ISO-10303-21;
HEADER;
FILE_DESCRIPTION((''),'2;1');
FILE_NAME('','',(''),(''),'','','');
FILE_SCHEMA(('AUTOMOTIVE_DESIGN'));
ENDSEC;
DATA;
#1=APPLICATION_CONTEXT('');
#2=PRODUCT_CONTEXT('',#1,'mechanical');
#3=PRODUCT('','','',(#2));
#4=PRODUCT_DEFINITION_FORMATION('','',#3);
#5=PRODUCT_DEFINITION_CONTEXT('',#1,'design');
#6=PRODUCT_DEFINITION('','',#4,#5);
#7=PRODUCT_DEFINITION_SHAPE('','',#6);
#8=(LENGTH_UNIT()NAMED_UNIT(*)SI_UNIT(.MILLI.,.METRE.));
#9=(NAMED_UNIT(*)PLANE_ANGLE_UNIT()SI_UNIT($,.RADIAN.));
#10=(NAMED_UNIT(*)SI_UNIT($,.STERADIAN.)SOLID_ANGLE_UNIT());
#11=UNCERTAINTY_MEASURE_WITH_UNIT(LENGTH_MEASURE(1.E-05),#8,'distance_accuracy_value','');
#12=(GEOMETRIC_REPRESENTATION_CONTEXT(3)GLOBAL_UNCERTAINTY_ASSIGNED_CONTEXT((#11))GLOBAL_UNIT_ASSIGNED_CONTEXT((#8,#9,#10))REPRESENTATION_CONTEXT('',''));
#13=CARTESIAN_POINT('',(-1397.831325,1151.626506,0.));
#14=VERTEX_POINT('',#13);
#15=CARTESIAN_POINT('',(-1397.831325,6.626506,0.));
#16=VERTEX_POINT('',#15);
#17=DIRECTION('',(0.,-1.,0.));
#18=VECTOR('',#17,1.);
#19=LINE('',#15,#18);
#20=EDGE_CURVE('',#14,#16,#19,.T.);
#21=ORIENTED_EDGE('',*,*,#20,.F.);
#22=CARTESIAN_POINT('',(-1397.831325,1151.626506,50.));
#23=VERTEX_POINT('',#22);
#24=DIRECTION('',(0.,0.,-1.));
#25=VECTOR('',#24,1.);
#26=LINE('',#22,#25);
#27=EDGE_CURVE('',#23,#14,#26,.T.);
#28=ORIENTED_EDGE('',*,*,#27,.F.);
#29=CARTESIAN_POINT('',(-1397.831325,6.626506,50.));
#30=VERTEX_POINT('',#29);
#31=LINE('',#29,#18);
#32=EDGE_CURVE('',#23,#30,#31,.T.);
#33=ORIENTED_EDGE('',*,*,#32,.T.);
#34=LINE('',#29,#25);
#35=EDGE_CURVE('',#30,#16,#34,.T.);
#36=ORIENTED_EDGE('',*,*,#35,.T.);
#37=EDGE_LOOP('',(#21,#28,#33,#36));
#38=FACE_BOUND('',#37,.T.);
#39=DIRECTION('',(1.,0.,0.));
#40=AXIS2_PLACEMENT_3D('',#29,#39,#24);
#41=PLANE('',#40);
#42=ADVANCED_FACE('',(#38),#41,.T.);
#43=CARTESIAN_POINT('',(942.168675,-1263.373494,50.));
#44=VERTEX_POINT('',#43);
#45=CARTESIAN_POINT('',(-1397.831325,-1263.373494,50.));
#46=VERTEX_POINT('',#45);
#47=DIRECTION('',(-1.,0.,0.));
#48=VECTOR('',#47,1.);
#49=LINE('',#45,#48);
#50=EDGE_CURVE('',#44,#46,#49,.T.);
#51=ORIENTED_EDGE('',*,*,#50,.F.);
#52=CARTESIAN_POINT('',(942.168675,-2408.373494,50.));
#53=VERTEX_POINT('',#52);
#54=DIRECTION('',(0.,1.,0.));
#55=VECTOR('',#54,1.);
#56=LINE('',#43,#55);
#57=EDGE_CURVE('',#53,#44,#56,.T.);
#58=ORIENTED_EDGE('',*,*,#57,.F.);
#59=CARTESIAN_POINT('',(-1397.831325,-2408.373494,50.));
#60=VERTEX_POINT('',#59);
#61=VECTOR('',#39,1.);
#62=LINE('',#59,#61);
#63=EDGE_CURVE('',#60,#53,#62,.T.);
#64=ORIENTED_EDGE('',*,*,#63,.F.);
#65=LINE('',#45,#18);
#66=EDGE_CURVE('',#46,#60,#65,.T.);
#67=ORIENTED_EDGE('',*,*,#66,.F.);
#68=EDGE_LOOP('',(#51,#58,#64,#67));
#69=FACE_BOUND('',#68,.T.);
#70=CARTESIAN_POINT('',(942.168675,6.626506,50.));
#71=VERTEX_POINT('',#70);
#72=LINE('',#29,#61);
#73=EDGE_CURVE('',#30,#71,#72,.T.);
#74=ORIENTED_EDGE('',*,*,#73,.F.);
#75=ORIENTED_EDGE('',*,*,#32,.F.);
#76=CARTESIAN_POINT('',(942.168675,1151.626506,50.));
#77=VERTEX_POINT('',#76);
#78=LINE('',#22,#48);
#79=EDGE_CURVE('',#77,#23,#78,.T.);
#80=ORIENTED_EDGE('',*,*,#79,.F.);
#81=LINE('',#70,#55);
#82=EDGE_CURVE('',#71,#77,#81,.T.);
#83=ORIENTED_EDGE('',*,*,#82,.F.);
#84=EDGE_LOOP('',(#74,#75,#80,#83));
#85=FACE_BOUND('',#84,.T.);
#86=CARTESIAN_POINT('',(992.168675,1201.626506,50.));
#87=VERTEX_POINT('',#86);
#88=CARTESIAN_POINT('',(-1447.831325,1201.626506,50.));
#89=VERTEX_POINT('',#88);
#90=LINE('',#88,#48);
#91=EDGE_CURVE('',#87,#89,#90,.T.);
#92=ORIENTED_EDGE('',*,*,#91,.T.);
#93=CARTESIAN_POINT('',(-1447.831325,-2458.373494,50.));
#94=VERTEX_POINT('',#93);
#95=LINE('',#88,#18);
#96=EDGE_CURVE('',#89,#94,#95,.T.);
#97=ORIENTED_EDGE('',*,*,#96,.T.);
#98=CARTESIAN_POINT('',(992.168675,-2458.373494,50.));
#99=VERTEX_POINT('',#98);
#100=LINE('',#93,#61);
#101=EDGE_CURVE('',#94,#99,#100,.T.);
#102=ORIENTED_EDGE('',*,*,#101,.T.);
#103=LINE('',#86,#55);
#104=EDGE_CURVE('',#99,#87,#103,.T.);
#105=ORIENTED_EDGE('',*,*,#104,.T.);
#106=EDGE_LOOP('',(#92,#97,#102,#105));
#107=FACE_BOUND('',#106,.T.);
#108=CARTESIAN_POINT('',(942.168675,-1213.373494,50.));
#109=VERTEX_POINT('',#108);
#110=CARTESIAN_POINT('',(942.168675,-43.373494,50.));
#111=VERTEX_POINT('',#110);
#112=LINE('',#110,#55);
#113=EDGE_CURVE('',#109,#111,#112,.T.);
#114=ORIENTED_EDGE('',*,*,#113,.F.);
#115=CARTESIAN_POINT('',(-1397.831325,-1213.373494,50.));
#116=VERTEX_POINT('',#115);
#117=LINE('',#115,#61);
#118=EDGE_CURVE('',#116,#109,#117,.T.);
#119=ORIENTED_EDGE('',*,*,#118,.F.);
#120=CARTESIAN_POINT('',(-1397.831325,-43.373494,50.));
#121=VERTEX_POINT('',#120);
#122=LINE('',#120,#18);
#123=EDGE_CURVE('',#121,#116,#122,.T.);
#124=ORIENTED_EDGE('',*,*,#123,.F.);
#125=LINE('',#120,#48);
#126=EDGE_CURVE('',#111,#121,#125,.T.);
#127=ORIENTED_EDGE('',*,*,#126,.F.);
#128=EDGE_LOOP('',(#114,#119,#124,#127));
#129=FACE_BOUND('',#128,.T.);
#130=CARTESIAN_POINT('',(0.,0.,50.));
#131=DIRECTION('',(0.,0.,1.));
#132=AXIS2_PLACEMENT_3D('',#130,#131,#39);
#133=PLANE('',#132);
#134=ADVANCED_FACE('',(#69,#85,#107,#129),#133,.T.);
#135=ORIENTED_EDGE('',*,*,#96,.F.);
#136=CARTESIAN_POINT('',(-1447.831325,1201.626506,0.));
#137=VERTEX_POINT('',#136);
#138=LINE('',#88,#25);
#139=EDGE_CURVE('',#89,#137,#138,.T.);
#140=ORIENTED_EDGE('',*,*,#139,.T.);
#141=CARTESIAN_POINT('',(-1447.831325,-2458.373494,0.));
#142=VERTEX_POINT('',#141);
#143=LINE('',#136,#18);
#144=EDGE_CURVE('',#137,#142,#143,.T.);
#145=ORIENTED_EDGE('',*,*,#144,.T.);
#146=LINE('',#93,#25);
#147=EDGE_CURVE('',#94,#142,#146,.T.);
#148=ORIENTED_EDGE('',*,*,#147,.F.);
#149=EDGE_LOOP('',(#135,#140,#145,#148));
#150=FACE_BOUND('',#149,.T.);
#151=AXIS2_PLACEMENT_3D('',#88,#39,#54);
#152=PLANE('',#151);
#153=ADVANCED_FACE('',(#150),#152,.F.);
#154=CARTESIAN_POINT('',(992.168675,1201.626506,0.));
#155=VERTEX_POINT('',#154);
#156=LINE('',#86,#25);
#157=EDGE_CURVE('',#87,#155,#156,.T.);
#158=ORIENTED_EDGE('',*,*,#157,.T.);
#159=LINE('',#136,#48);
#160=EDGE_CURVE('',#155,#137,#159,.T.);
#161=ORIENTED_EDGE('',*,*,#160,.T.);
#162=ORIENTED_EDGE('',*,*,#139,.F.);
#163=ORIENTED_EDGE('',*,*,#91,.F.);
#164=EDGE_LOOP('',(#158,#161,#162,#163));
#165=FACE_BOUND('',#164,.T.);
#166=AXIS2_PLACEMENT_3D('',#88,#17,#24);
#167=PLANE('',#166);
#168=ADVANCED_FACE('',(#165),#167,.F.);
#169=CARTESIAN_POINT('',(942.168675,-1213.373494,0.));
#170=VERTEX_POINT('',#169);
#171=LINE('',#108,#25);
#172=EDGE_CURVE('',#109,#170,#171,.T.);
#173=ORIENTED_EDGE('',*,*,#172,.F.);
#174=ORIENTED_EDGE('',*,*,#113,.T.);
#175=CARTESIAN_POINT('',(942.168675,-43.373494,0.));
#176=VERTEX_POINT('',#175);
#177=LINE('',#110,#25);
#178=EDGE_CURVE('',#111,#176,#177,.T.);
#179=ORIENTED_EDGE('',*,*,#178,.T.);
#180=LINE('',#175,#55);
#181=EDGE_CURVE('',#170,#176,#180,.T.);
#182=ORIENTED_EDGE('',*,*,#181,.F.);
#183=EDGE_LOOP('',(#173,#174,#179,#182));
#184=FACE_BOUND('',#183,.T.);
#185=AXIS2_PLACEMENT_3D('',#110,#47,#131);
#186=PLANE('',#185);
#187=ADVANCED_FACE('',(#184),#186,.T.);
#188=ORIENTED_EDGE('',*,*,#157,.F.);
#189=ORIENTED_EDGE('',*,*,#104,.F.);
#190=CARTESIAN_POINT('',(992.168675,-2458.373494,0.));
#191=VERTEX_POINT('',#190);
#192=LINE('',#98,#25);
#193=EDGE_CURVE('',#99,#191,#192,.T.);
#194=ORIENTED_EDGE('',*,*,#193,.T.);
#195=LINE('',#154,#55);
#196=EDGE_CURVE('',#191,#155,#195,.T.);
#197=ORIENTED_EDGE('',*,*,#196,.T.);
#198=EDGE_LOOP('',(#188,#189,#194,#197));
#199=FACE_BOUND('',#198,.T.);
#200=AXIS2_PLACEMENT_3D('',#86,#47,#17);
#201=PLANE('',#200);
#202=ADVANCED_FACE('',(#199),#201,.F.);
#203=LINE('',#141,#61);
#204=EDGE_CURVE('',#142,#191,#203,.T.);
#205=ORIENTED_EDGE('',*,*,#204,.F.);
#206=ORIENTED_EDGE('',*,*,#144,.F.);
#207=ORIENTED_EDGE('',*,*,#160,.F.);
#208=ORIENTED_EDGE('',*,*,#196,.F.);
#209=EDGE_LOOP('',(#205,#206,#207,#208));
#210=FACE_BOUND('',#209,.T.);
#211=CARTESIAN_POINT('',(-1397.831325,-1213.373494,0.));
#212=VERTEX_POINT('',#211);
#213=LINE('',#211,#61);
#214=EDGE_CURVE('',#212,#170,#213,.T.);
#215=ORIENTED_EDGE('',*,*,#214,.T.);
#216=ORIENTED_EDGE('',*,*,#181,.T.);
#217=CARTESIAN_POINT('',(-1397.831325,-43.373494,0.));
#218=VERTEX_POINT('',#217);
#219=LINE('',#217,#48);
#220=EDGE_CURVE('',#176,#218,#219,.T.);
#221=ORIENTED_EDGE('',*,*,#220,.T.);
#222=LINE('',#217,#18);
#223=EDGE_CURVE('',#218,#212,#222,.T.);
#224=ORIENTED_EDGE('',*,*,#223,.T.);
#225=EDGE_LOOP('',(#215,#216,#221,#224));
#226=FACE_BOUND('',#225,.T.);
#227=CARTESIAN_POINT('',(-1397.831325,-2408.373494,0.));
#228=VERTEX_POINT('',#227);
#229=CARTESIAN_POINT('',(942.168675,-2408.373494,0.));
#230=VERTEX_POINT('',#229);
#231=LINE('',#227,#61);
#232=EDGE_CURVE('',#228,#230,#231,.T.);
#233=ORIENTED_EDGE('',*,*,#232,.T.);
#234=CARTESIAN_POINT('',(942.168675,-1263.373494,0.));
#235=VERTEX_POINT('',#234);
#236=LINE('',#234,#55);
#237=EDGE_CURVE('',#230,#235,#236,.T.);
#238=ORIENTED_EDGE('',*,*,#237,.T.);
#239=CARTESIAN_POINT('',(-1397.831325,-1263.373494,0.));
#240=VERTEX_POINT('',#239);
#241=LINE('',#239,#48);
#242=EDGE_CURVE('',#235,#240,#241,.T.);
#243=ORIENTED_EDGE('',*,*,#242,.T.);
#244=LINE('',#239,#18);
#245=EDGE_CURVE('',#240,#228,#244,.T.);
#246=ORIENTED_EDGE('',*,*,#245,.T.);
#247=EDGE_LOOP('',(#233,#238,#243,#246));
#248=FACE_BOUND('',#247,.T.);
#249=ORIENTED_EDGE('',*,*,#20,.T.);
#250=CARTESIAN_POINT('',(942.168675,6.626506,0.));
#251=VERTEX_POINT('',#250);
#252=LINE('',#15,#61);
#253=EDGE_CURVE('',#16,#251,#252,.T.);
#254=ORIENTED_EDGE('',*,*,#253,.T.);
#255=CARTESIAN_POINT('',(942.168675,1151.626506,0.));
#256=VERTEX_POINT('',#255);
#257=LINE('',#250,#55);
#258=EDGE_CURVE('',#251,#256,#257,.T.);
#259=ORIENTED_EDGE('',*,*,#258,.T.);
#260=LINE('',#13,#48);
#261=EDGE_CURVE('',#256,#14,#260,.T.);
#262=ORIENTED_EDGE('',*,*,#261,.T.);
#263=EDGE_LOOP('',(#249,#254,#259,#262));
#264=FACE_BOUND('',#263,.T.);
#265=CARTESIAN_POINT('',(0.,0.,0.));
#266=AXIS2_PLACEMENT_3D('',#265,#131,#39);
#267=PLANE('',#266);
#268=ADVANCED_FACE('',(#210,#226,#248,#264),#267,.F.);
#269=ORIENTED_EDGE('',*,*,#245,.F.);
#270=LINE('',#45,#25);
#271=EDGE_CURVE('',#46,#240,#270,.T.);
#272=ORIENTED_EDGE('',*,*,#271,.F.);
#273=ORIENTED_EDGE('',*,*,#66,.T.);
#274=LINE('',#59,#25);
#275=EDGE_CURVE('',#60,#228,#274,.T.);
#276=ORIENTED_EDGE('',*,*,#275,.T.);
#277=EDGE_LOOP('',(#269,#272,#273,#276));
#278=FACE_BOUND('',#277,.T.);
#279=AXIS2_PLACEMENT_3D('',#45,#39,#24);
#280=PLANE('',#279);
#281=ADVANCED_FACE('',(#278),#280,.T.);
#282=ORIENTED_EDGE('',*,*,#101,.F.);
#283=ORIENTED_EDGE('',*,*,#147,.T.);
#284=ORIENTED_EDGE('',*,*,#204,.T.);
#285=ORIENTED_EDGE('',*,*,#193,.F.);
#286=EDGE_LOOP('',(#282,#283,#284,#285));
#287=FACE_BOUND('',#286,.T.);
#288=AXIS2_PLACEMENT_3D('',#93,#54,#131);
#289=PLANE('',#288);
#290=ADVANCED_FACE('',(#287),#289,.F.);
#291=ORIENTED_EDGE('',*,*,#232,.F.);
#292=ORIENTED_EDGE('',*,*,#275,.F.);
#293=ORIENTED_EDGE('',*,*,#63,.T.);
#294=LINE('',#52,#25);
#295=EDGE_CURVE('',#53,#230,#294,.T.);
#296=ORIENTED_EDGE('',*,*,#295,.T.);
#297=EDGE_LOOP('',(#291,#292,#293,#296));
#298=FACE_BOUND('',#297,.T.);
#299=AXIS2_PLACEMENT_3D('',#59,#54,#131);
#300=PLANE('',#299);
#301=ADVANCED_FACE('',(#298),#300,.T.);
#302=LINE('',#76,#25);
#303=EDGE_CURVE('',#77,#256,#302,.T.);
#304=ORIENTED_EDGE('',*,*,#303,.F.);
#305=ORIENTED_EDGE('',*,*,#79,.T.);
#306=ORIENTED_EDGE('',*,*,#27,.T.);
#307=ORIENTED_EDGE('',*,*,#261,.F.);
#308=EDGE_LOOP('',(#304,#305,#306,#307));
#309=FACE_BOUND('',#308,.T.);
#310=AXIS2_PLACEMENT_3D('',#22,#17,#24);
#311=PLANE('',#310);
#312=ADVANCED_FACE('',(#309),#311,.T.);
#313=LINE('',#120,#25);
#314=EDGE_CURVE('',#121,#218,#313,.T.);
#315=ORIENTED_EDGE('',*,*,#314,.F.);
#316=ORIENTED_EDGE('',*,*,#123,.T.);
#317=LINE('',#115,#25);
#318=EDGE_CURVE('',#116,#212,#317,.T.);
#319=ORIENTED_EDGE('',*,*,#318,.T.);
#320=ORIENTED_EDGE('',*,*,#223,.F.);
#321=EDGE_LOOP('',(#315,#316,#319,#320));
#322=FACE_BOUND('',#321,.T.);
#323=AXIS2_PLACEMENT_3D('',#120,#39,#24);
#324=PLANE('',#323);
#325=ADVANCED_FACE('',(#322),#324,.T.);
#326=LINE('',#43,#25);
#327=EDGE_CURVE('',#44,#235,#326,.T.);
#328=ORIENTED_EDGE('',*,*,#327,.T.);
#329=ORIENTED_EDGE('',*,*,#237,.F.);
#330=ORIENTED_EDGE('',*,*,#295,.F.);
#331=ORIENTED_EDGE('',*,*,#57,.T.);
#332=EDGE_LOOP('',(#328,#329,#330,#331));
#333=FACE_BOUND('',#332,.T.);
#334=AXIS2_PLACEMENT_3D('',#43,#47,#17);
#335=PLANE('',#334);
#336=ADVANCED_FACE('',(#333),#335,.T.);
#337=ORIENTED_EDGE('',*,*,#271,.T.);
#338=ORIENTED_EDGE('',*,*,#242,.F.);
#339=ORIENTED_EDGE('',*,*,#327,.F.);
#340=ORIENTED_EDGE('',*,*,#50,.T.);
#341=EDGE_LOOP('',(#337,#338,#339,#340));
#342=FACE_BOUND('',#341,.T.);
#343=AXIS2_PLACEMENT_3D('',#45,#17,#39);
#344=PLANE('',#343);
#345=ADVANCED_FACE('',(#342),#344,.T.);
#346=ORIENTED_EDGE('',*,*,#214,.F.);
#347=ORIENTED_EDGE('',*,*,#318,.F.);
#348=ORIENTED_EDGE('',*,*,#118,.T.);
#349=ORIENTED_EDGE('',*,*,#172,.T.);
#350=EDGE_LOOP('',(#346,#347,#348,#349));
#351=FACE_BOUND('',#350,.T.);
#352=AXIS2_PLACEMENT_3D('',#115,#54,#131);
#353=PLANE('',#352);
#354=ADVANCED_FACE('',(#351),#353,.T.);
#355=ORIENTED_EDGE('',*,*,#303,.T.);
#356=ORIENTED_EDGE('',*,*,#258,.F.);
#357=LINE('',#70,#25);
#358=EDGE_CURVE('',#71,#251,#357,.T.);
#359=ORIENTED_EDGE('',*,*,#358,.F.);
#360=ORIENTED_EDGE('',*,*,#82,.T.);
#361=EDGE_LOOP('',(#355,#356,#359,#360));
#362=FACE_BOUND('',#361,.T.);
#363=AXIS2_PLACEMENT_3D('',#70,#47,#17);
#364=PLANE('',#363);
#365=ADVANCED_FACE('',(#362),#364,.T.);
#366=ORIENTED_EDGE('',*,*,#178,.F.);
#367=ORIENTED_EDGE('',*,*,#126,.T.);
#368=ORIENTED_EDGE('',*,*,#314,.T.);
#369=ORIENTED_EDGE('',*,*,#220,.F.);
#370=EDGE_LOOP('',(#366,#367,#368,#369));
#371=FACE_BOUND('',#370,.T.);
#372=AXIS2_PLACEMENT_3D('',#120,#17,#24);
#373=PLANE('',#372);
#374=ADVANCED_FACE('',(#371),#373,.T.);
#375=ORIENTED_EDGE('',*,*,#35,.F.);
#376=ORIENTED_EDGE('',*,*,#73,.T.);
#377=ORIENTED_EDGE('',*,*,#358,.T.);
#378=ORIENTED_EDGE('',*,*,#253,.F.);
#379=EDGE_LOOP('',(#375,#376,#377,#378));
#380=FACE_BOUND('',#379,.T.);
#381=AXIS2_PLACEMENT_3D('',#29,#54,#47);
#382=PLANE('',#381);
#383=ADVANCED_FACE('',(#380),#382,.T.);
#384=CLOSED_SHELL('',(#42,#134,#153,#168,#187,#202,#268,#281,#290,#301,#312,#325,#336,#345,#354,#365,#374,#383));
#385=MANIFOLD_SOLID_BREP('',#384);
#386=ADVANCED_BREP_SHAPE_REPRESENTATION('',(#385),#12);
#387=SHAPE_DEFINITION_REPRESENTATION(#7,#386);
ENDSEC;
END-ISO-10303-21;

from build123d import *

# Parameters (mm, degrees)
SKETCH1_W           = 2440
SKETCH1_H           = 3660
SKETCH1_W_2         = 2340
SKETCH1_H_2         = 1145
SKETCH1_H_3         = 1170
BOSS_EXTRUDE2_DEPTH = 50


with BuildPart() as part:
    # Sketch1 → Boss-Extrude2 (new body)
    with BuildSketch(Plane.XY):
        with Locations((-227.831325301, -628.373493976)):
            Rectangle(SKETCH1_W, SKETCH1_H)
        with Locations((-227.831325301, -1835.873493976)):
            Rectangle(SKETCH1_W_2, SKETCH1_H_2, mode=Mode.SUBTRACT)
        with Locations((-227.831325301, 579.126506024)):
            Rectangle(SKETCH1_W_2, SKETCH1_H_2, mode=Mode.SUBTRACT)
        with Locations((-227.831325301, -628.373493976)):
            Rectangle(SKETCH1_W_2, SKETCH1_H_3, mode=Mode.SUBTRACT)
    extrude(amount=BOSS_EXTRUDE2_DEPTH)


solid = part.part
